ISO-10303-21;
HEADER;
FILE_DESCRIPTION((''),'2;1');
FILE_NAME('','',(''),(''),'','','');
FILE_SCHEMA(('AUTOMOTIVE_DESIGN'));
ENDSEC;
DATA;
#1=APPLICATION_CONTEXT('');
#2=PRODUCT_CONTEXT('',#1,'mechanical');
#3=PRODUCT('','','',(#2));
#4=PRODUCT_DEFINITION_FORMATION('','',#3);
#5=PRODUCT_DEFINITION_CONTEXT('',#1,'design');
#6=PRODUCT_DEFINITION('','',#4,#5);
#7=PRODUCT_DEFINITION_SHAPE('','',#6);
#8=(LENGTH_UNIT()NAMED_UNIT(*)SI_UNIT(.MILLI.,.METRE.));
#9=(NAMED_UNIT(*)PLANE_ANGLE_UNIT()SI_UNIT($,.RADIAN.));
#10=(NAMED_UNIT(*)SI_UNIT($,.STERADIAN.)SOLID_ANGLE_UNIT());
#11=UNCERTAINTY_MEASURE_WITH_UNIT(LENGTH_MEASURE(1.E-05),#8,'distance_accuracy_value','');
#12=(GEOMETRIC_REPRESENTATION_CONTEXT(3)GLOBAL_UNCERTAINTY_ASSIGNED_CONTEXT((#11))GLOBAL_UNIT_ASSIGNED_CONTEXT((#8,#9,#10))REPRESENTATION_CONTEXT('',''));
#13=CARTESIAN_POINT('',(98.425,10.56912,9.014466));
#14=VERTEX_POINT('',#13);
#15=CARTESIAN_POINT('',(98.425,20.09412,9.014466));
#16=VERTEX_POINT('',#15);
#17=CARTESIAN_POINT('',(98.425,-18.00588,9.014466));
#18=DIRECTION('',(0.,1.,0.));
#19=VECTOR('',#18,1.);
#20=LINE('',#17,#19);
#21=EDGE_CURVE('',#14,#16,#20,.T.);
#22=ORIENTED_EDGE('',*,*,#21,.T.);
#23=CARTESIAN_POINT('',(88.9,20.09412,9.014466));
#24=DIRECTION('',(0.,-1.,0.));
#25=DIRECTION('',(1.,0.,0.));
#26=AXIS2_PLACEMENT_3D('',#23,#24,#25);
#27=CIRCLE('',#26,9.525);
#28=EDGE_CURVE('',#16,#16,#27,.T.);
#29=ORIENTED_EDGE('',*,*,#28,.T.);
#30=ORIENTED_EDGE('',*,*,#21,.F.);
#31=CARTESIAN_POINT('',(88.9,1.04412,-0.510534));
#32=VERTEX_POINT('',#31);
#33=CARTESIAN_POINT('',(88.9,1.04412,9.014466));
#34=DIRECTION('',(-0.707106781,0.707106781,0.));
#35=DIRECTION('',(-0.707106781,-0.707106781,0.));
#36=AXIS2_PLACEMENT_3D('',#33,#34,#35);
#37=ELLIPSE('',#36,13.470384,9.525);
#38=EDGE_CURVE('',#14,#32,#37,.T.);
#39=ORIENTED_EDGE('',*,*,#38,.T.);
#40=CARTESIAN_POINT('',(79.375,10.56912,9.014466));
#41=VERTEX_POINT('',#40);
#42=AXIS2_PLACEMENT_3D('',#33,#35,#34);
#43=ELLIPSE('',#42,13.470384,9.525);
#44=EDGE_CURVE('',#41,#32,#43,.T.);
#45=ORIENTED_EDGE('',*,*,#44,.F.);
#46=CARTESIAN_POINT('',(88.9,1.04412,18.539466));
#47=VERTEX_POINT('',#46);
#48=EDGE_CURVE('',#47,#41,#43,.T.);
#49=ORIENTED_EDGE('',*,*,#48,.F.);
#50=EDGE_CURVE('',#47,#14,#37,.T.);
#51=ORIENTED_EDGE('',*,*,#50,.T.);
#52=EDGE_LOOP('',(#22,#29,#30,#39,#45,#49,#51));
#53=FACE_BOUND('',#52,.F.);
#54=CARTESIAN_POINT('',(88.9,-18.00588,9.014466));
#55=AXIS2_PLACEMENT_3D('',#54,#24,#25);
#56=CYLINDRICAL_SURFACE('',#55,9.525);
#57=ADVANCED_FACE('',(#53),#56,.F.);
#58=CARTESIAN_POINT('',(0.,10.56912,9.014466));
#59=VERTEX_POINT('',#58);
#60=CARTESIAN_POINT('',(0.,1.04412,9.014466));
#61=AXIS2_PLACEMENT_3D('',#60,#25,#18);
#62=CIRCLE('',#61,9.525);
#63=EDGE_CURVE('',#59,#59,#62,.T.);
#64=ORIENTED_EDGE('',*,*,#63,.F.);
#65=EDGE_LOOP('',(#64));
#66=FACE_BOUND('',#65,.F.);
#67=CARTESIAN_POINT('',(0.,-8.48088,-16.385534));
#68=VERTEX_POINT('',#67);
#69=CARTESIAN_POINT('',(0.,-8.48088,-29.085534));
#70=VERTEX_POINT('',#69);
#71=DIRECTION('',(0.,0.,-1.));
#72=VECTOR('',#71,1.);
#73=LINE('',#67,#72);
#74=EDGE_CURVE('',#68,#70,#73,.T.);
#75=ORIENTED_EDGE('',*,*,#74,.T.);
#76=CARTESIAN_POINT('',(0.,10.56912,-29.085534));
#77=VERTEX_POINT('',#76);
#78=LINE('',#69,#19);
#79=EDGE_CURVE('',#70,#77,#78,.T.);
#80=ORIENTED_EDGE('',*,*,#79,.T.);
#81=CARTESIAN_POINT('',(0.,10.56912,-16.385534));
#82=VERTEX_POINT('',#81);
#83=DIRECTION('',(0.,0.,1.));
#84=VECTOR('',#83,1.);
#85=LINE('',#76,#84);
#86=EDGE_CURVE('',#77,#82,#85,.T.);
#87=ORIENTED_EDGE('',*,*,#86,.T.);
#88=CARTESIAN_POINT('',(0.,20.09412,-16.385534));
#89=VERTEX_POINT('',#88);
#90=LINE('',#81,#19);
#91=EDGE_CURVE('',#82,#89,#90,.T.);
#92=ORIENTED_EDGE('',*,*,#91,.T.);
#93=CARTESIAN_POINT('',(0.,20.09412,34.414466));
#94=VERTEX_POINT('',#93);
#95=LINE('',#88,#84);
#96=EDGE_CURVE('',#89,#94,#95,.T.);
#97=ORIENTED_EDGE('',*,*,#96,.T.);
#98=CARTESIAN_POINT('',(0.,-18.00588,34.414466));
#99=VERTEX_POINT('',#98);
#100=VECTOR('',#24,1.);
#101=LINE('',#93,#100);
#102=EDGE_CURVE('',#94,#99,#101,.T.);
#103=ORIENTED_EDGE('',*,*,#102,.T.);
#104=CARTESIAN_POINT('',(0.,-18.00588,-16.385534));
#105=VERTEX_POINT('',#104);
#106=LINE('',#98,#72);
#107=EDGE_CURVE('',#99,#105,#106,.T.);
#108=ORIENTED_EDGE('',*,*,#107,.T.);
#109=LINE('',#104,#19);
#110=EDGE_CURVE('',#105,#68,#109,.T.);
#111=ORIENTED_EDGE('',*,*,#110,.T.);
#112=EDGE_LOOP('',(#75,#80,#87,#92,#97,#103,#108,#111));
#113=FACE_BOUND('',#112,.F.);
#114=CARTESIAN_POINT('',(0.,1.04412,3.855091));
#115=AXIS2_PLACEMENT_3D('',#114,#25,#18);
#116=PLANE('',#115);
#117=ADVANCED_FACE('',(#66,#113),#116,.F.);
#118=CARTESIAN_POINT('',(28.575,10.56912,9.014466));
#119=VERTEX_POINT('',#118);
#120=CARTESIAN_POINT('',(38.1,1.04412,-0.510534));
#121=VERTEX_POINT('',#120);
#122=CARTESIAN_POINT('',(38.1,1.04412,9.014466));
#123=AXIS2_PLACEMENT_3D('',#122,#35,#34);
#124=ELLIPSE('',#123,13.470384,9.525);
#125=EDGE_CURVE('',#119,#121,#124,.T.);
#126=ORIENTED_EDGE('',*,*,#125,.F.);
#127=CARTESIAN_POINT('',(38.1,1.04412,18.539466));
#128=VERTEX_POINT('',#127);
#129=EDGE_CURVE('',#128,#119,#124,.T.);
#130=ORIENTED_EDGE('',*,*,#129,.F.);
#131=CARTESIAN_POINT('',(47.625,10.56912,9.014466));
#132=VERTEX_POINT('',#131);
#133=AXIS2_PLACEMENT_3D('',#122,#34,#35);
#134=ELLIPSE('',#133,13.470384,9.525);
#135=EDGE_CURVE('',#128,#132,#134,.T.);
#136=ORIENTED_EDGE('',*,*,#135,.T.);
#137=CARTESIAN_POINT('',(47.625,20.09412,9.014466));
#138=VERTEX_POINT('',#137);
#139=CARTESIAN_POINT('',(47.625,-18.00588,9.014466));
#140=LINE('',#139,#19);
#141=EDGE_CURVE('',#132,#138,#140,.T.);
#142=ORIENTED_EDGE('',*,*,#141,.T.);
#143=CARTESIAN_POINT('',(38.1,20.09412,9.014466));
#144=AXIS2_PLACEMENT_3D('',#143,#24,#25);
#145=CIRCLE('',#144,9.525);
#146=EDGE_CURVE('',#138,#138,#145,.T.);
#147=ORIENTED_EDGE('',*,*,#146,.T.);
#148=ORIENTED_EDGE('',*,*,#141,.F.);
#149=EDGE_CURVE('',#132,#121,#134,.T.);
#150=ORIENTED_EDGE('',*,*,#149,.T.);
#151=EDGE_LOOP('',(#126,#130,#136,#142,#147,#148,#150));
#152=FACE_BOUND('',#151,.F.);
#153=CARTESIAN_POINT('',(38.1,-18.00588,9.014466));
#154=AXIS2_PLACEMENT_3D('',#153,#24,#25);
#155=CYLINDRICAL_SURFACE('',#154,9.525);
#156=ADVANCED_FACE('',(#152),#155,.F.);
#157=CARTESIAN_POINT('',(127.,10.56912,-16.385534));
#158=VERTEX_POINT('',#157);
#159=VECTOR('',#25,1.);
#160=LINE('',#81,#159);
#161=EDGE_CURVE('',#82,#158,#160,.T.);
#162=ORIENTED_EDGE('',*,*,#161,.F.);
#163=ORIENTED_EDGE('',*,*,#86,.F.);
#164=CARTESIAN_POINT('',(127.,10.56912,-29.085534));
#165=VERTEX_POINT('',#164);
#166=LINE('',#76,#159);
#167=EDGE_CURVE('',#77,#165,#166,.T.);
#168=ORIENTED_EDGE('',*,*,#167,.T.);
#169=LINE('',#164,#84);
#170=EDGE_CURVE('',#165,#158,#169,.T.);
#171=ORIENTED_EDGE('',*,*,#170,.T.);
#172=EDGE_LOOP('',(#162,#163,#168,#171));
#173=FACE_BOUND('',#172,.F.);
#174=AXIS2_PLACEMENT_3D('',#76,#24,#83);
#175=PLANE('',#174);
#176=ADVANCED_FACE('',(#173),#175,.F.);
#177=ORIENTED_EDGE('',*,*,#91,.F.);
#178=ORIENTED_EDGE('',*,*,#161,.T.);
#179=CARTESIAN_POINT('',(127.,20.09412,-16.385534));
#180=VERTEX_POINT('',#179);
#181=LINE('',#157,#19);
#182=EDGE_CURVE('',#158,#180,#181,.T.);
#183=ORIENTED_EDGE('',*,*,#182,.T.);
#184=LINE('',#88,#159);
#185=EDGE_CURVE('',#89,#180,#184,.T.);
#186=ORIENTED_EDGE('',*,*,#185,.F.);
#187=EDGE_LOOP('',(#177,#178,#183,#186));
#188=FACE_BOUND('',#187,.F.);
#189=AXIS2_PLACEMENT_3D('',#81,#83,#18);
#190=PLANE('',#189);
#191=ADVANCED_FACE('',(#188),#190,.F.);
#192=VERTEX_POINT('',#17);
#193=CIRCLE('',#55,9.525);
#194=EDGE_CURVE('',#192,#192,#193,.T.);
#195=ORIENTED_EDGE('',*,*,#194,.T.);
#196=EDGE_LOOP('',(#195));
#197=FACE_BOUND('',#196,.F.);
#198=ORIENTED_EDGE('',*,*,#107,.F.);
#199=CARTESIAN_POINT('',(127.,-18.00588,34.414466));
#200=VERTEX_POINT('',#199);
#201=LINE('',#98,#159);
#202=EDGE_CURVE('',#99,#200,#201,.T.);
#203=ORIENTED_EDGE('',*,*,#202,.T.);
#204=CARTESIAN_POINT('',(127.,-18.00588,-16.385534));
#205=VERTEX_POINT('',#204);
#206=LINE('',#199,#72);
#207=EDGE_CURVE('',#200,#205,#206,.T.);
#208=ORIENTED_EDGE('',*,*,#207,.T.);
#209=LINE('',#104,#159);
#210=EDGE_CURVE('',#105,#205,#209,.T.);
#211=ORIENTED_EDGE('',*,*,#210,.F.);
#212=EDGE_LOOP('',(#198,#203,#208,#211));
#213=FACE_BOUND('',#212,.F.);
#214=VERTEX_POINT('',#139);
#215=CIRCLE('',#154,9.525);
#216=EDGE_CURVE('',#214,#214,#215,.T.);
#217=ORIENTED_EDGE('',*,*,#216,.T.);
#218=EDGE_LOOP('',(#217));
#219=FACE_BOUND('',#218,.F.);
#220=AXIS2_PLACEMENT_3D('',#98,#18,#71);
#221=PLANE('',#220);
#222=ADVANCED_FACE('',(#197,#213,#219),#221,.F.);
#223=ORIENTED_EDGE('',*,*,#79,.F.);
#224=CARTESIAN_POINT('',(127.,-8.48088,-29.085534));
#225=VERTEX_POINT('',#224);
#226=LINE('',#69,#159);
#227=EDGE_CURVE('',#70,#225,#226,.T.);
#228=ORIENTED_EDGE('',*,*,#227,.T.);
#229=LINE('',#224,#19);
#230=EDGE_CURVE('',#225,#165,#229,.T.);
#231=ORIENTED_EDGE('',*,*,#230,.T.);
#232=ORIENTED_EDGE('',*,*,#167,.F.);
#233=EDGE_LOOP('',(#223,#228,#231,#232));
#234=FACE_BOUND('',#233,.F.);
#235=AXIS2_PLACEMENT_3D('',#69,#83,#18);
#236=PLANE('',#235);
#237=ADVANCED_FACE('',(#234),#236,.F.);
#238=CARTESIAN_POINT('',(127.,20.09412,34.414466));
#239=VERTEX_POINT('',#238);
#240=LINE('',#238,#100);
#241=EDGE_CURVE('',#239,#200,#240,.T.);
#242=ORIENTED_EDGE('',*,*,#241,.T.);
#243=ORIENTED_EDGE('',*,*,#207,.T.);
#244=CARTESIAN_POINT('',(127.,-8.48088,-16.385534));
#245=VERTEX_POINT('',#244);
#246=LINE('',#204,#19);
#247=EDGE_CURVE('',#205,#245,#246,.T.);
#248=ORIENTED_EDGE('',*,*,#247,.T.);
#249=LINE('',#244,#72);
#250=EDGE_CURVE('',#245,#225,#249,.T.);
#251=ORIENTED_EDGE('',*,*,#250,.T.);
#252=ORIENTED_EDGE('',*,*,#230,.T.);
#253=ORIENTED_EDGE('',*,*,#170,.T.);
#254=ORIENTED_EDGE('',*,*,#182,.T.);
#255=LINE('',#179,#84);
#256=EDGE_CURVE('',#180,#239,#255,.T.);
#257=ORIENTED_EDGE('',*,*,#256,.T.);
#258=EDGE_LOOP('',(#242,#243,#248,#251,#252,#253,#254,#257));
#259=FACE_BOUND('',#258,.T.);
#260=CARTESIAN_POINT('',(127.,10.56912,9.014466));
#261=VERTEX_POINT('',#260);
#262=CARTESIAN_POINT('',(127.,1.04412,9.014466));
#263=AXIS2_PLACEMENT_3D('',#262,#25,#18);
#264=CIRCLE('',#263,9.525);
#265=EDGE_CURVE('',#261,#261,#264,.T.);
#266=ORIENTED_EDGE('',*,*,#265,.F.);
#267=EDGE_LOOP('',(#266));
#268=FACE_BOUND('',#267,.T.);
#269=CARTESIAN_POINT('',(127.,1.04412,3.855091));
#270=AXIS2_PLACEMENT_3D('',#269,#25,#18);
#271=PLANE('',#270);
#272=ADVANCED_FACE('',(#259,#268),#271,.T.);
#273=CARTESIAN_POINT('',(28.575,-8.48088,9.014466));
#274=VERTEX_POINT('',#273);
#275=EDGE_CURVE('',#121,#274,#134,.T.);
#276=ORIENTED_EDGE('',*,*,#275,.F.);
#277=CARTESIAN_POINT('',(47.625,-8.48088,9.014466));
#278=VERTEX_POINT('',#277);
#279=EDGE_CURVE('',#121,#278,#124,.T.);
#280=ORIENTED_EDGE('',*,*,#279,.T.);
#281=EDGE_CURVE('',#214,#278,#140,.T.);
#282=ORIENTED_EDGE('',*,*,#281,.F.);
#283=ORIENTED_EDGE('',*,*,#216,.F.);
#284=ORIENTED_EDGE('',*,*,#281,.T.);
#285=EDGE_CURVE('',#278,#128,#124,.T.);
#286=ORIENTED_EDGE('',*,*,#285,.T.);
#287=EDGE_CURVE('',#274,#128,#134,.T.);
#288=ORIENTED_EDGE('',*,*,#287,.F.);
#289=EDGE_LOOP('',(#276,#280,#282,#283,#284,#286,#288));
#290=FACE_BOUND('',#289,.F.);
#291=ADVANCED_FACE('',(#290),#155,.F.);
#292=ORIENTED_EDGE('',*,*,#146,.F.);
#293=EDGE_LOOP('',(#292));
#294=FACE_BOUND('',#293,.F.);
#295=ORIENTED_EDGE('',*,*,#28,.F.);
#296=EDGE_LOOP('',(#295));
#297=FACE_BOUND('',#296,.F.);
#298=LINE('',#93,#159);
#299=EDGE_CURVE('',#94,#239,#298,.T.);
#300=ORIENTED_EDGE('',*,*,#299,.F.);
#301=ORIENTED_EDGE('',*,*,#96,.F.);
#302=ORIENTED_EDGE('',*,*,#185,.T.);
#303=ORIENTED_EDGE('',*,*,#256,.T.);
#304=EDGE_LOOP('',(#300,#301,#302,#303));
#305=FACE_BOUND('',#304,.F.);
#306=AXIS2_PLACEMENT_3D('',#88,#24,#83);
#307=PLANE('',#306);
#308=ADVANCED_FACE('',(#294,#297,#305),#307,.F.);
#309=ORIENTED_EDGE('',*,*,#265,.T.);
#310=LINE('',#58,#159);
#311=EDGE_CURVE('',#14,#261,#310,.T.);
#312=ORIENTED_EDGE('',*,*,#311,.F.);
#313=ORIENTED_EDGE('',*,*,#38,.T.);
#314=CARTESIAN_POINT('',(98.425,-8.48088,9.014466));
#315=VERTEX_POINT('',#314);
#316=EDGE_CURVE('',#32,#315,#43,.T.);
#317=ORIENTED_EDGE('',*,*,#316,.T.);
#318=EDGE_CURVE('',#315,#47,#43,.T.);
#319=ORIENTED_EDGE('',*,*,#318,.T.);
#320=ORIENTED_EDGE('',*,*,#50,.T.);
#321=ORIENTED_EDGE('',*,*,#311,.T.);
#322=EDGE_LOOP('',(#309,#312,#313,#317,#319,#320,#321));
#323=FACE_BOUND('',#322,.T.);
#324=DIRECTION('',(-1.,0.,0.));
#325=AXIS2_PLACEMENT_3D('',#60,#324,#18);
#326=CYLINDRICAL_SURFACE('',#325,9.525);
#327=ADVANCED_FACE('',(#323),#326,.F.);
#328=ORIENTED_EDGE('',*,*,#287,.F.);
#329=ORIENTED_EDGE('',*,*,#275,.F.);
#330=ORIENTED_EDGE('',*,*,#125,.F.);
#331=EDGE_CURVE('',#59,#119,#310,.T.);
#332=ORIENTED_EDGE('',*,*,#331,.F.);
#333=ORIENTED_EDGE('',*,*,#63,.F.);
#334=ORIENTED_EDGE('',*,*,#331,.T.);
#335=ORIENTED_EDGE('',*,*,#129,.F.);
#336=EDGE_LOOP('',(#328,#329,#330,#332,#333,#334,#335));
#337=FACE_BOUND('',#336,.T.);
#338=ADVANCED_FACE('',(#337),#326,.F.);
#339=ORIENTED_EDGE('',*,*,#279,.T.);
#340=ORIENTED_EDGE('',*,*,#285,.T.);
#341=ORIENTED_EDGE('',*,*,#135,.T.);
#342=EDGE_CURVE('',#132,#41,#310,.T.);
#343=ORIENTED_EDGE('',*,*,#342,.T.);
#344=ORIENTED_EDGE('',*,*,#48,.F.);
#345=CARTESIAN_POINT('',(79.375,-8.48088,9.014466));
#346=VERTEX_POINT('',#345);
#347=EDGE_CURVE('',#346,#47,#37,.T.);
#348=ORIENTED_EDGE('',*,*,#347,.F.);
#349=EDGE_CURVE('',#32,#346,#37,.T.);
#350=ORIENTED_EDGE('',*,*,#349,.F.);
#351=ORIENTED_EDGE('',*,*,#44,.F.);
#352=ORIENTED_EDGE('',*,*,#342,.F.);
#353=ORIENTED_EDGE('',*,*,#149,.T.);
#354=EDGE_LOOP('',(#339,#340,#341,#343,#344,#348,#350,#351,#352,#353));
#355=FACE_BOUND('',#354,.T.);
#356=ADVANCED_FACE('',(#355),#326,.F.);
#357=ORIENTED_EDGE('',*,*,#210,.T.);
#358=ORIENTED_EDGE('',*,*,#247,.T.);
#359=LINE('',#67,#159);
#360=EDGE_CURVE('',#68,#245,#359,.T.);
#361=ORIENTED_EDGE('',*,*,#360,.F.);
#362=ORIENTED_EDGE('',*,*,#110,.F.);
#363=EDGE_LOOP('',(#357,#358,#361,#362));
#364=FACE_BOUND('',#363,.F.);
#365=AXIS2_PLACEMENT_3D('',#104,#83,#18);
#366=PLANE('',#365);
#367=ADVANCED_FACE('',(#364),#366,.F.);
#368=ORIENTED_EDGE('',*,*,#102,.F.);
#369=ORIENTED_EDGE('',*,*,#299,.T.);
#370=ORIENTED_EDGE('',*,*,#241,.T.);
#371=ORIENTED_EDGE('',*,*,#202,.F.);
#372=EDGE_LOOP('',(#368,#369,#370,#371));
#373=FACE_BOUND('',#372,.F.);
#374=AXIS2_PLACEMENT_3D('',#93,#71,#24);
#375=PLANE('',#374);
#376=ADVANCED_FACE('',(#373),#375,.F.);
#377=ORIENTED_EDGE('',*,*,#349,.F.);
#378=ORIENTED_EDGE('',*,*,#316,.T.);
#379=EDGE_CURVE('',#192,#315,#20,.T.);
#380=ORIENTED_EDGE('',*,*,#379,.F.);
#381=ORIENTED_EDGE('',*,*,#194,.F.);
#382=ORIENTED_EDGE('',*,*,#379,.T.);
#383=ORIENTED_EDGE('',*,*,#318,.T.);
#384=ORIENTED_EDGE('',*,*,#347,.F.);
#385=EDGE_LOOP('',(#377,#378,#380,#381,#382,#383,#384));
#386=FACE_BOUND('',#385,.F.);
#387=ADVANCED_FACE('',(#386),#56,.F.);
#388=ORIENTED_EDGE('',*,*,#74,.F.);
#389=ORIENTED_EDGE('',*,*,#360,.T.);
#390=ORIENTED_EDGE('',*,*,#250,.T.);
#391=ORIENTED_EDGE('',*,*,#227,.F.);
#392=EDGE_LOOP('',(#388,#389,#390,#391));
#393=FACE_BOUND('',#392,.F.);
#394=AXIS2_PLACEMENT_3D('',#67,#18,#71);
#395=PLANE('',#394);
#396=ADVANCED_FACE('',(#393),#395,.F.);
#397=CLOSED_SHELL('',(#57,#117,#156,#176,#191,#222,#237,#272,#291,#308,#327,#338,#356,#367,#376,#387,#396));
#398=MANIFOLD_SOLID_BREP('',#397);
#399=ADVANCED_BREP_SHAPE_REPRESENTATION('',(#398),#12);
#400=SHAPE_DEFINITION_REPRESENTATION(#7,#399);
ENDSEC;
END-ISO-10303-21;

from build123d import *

# Parameters (mm, degrees)
F0_R     = 9.525
F1_DEPTH = 127
F2_R     = 9.525
F3_DEPTH = 38.354


with BuildPart() as f1:
    # F0 (on Right) → F1 (new body)
    with BuildSketch(Plane.YZ):
        Polygon((20.09412, 34.414466), (-18.00588, 34.414466), (-18.00588, -16.385534), (-8.48088, -16.385534), (-8.48088, -29.085534), (10.56912, -29.085534), (10.56912, -16.385534), (20.09412, -16.385534), align=None)
        with Locations((1.04412, 9.014466)):
            Circle(F0_R, mode=Mode.SUBTRACT)
    extrude(amount=F1_DEPTH)

    # F2 (on face) → F3 (cut)
    with BuildSketch(Plane.XZ.offset(18.00588)):
        with Locations((38.1, 9.014466)):
            Circle(F2_R)
        with Locations((88.9, 9.014466)):
            Circle(F2_R)
    extrude(amount=-F3_DEPTH, mode=Mode.SUBTRACT)


solid = f1.part
